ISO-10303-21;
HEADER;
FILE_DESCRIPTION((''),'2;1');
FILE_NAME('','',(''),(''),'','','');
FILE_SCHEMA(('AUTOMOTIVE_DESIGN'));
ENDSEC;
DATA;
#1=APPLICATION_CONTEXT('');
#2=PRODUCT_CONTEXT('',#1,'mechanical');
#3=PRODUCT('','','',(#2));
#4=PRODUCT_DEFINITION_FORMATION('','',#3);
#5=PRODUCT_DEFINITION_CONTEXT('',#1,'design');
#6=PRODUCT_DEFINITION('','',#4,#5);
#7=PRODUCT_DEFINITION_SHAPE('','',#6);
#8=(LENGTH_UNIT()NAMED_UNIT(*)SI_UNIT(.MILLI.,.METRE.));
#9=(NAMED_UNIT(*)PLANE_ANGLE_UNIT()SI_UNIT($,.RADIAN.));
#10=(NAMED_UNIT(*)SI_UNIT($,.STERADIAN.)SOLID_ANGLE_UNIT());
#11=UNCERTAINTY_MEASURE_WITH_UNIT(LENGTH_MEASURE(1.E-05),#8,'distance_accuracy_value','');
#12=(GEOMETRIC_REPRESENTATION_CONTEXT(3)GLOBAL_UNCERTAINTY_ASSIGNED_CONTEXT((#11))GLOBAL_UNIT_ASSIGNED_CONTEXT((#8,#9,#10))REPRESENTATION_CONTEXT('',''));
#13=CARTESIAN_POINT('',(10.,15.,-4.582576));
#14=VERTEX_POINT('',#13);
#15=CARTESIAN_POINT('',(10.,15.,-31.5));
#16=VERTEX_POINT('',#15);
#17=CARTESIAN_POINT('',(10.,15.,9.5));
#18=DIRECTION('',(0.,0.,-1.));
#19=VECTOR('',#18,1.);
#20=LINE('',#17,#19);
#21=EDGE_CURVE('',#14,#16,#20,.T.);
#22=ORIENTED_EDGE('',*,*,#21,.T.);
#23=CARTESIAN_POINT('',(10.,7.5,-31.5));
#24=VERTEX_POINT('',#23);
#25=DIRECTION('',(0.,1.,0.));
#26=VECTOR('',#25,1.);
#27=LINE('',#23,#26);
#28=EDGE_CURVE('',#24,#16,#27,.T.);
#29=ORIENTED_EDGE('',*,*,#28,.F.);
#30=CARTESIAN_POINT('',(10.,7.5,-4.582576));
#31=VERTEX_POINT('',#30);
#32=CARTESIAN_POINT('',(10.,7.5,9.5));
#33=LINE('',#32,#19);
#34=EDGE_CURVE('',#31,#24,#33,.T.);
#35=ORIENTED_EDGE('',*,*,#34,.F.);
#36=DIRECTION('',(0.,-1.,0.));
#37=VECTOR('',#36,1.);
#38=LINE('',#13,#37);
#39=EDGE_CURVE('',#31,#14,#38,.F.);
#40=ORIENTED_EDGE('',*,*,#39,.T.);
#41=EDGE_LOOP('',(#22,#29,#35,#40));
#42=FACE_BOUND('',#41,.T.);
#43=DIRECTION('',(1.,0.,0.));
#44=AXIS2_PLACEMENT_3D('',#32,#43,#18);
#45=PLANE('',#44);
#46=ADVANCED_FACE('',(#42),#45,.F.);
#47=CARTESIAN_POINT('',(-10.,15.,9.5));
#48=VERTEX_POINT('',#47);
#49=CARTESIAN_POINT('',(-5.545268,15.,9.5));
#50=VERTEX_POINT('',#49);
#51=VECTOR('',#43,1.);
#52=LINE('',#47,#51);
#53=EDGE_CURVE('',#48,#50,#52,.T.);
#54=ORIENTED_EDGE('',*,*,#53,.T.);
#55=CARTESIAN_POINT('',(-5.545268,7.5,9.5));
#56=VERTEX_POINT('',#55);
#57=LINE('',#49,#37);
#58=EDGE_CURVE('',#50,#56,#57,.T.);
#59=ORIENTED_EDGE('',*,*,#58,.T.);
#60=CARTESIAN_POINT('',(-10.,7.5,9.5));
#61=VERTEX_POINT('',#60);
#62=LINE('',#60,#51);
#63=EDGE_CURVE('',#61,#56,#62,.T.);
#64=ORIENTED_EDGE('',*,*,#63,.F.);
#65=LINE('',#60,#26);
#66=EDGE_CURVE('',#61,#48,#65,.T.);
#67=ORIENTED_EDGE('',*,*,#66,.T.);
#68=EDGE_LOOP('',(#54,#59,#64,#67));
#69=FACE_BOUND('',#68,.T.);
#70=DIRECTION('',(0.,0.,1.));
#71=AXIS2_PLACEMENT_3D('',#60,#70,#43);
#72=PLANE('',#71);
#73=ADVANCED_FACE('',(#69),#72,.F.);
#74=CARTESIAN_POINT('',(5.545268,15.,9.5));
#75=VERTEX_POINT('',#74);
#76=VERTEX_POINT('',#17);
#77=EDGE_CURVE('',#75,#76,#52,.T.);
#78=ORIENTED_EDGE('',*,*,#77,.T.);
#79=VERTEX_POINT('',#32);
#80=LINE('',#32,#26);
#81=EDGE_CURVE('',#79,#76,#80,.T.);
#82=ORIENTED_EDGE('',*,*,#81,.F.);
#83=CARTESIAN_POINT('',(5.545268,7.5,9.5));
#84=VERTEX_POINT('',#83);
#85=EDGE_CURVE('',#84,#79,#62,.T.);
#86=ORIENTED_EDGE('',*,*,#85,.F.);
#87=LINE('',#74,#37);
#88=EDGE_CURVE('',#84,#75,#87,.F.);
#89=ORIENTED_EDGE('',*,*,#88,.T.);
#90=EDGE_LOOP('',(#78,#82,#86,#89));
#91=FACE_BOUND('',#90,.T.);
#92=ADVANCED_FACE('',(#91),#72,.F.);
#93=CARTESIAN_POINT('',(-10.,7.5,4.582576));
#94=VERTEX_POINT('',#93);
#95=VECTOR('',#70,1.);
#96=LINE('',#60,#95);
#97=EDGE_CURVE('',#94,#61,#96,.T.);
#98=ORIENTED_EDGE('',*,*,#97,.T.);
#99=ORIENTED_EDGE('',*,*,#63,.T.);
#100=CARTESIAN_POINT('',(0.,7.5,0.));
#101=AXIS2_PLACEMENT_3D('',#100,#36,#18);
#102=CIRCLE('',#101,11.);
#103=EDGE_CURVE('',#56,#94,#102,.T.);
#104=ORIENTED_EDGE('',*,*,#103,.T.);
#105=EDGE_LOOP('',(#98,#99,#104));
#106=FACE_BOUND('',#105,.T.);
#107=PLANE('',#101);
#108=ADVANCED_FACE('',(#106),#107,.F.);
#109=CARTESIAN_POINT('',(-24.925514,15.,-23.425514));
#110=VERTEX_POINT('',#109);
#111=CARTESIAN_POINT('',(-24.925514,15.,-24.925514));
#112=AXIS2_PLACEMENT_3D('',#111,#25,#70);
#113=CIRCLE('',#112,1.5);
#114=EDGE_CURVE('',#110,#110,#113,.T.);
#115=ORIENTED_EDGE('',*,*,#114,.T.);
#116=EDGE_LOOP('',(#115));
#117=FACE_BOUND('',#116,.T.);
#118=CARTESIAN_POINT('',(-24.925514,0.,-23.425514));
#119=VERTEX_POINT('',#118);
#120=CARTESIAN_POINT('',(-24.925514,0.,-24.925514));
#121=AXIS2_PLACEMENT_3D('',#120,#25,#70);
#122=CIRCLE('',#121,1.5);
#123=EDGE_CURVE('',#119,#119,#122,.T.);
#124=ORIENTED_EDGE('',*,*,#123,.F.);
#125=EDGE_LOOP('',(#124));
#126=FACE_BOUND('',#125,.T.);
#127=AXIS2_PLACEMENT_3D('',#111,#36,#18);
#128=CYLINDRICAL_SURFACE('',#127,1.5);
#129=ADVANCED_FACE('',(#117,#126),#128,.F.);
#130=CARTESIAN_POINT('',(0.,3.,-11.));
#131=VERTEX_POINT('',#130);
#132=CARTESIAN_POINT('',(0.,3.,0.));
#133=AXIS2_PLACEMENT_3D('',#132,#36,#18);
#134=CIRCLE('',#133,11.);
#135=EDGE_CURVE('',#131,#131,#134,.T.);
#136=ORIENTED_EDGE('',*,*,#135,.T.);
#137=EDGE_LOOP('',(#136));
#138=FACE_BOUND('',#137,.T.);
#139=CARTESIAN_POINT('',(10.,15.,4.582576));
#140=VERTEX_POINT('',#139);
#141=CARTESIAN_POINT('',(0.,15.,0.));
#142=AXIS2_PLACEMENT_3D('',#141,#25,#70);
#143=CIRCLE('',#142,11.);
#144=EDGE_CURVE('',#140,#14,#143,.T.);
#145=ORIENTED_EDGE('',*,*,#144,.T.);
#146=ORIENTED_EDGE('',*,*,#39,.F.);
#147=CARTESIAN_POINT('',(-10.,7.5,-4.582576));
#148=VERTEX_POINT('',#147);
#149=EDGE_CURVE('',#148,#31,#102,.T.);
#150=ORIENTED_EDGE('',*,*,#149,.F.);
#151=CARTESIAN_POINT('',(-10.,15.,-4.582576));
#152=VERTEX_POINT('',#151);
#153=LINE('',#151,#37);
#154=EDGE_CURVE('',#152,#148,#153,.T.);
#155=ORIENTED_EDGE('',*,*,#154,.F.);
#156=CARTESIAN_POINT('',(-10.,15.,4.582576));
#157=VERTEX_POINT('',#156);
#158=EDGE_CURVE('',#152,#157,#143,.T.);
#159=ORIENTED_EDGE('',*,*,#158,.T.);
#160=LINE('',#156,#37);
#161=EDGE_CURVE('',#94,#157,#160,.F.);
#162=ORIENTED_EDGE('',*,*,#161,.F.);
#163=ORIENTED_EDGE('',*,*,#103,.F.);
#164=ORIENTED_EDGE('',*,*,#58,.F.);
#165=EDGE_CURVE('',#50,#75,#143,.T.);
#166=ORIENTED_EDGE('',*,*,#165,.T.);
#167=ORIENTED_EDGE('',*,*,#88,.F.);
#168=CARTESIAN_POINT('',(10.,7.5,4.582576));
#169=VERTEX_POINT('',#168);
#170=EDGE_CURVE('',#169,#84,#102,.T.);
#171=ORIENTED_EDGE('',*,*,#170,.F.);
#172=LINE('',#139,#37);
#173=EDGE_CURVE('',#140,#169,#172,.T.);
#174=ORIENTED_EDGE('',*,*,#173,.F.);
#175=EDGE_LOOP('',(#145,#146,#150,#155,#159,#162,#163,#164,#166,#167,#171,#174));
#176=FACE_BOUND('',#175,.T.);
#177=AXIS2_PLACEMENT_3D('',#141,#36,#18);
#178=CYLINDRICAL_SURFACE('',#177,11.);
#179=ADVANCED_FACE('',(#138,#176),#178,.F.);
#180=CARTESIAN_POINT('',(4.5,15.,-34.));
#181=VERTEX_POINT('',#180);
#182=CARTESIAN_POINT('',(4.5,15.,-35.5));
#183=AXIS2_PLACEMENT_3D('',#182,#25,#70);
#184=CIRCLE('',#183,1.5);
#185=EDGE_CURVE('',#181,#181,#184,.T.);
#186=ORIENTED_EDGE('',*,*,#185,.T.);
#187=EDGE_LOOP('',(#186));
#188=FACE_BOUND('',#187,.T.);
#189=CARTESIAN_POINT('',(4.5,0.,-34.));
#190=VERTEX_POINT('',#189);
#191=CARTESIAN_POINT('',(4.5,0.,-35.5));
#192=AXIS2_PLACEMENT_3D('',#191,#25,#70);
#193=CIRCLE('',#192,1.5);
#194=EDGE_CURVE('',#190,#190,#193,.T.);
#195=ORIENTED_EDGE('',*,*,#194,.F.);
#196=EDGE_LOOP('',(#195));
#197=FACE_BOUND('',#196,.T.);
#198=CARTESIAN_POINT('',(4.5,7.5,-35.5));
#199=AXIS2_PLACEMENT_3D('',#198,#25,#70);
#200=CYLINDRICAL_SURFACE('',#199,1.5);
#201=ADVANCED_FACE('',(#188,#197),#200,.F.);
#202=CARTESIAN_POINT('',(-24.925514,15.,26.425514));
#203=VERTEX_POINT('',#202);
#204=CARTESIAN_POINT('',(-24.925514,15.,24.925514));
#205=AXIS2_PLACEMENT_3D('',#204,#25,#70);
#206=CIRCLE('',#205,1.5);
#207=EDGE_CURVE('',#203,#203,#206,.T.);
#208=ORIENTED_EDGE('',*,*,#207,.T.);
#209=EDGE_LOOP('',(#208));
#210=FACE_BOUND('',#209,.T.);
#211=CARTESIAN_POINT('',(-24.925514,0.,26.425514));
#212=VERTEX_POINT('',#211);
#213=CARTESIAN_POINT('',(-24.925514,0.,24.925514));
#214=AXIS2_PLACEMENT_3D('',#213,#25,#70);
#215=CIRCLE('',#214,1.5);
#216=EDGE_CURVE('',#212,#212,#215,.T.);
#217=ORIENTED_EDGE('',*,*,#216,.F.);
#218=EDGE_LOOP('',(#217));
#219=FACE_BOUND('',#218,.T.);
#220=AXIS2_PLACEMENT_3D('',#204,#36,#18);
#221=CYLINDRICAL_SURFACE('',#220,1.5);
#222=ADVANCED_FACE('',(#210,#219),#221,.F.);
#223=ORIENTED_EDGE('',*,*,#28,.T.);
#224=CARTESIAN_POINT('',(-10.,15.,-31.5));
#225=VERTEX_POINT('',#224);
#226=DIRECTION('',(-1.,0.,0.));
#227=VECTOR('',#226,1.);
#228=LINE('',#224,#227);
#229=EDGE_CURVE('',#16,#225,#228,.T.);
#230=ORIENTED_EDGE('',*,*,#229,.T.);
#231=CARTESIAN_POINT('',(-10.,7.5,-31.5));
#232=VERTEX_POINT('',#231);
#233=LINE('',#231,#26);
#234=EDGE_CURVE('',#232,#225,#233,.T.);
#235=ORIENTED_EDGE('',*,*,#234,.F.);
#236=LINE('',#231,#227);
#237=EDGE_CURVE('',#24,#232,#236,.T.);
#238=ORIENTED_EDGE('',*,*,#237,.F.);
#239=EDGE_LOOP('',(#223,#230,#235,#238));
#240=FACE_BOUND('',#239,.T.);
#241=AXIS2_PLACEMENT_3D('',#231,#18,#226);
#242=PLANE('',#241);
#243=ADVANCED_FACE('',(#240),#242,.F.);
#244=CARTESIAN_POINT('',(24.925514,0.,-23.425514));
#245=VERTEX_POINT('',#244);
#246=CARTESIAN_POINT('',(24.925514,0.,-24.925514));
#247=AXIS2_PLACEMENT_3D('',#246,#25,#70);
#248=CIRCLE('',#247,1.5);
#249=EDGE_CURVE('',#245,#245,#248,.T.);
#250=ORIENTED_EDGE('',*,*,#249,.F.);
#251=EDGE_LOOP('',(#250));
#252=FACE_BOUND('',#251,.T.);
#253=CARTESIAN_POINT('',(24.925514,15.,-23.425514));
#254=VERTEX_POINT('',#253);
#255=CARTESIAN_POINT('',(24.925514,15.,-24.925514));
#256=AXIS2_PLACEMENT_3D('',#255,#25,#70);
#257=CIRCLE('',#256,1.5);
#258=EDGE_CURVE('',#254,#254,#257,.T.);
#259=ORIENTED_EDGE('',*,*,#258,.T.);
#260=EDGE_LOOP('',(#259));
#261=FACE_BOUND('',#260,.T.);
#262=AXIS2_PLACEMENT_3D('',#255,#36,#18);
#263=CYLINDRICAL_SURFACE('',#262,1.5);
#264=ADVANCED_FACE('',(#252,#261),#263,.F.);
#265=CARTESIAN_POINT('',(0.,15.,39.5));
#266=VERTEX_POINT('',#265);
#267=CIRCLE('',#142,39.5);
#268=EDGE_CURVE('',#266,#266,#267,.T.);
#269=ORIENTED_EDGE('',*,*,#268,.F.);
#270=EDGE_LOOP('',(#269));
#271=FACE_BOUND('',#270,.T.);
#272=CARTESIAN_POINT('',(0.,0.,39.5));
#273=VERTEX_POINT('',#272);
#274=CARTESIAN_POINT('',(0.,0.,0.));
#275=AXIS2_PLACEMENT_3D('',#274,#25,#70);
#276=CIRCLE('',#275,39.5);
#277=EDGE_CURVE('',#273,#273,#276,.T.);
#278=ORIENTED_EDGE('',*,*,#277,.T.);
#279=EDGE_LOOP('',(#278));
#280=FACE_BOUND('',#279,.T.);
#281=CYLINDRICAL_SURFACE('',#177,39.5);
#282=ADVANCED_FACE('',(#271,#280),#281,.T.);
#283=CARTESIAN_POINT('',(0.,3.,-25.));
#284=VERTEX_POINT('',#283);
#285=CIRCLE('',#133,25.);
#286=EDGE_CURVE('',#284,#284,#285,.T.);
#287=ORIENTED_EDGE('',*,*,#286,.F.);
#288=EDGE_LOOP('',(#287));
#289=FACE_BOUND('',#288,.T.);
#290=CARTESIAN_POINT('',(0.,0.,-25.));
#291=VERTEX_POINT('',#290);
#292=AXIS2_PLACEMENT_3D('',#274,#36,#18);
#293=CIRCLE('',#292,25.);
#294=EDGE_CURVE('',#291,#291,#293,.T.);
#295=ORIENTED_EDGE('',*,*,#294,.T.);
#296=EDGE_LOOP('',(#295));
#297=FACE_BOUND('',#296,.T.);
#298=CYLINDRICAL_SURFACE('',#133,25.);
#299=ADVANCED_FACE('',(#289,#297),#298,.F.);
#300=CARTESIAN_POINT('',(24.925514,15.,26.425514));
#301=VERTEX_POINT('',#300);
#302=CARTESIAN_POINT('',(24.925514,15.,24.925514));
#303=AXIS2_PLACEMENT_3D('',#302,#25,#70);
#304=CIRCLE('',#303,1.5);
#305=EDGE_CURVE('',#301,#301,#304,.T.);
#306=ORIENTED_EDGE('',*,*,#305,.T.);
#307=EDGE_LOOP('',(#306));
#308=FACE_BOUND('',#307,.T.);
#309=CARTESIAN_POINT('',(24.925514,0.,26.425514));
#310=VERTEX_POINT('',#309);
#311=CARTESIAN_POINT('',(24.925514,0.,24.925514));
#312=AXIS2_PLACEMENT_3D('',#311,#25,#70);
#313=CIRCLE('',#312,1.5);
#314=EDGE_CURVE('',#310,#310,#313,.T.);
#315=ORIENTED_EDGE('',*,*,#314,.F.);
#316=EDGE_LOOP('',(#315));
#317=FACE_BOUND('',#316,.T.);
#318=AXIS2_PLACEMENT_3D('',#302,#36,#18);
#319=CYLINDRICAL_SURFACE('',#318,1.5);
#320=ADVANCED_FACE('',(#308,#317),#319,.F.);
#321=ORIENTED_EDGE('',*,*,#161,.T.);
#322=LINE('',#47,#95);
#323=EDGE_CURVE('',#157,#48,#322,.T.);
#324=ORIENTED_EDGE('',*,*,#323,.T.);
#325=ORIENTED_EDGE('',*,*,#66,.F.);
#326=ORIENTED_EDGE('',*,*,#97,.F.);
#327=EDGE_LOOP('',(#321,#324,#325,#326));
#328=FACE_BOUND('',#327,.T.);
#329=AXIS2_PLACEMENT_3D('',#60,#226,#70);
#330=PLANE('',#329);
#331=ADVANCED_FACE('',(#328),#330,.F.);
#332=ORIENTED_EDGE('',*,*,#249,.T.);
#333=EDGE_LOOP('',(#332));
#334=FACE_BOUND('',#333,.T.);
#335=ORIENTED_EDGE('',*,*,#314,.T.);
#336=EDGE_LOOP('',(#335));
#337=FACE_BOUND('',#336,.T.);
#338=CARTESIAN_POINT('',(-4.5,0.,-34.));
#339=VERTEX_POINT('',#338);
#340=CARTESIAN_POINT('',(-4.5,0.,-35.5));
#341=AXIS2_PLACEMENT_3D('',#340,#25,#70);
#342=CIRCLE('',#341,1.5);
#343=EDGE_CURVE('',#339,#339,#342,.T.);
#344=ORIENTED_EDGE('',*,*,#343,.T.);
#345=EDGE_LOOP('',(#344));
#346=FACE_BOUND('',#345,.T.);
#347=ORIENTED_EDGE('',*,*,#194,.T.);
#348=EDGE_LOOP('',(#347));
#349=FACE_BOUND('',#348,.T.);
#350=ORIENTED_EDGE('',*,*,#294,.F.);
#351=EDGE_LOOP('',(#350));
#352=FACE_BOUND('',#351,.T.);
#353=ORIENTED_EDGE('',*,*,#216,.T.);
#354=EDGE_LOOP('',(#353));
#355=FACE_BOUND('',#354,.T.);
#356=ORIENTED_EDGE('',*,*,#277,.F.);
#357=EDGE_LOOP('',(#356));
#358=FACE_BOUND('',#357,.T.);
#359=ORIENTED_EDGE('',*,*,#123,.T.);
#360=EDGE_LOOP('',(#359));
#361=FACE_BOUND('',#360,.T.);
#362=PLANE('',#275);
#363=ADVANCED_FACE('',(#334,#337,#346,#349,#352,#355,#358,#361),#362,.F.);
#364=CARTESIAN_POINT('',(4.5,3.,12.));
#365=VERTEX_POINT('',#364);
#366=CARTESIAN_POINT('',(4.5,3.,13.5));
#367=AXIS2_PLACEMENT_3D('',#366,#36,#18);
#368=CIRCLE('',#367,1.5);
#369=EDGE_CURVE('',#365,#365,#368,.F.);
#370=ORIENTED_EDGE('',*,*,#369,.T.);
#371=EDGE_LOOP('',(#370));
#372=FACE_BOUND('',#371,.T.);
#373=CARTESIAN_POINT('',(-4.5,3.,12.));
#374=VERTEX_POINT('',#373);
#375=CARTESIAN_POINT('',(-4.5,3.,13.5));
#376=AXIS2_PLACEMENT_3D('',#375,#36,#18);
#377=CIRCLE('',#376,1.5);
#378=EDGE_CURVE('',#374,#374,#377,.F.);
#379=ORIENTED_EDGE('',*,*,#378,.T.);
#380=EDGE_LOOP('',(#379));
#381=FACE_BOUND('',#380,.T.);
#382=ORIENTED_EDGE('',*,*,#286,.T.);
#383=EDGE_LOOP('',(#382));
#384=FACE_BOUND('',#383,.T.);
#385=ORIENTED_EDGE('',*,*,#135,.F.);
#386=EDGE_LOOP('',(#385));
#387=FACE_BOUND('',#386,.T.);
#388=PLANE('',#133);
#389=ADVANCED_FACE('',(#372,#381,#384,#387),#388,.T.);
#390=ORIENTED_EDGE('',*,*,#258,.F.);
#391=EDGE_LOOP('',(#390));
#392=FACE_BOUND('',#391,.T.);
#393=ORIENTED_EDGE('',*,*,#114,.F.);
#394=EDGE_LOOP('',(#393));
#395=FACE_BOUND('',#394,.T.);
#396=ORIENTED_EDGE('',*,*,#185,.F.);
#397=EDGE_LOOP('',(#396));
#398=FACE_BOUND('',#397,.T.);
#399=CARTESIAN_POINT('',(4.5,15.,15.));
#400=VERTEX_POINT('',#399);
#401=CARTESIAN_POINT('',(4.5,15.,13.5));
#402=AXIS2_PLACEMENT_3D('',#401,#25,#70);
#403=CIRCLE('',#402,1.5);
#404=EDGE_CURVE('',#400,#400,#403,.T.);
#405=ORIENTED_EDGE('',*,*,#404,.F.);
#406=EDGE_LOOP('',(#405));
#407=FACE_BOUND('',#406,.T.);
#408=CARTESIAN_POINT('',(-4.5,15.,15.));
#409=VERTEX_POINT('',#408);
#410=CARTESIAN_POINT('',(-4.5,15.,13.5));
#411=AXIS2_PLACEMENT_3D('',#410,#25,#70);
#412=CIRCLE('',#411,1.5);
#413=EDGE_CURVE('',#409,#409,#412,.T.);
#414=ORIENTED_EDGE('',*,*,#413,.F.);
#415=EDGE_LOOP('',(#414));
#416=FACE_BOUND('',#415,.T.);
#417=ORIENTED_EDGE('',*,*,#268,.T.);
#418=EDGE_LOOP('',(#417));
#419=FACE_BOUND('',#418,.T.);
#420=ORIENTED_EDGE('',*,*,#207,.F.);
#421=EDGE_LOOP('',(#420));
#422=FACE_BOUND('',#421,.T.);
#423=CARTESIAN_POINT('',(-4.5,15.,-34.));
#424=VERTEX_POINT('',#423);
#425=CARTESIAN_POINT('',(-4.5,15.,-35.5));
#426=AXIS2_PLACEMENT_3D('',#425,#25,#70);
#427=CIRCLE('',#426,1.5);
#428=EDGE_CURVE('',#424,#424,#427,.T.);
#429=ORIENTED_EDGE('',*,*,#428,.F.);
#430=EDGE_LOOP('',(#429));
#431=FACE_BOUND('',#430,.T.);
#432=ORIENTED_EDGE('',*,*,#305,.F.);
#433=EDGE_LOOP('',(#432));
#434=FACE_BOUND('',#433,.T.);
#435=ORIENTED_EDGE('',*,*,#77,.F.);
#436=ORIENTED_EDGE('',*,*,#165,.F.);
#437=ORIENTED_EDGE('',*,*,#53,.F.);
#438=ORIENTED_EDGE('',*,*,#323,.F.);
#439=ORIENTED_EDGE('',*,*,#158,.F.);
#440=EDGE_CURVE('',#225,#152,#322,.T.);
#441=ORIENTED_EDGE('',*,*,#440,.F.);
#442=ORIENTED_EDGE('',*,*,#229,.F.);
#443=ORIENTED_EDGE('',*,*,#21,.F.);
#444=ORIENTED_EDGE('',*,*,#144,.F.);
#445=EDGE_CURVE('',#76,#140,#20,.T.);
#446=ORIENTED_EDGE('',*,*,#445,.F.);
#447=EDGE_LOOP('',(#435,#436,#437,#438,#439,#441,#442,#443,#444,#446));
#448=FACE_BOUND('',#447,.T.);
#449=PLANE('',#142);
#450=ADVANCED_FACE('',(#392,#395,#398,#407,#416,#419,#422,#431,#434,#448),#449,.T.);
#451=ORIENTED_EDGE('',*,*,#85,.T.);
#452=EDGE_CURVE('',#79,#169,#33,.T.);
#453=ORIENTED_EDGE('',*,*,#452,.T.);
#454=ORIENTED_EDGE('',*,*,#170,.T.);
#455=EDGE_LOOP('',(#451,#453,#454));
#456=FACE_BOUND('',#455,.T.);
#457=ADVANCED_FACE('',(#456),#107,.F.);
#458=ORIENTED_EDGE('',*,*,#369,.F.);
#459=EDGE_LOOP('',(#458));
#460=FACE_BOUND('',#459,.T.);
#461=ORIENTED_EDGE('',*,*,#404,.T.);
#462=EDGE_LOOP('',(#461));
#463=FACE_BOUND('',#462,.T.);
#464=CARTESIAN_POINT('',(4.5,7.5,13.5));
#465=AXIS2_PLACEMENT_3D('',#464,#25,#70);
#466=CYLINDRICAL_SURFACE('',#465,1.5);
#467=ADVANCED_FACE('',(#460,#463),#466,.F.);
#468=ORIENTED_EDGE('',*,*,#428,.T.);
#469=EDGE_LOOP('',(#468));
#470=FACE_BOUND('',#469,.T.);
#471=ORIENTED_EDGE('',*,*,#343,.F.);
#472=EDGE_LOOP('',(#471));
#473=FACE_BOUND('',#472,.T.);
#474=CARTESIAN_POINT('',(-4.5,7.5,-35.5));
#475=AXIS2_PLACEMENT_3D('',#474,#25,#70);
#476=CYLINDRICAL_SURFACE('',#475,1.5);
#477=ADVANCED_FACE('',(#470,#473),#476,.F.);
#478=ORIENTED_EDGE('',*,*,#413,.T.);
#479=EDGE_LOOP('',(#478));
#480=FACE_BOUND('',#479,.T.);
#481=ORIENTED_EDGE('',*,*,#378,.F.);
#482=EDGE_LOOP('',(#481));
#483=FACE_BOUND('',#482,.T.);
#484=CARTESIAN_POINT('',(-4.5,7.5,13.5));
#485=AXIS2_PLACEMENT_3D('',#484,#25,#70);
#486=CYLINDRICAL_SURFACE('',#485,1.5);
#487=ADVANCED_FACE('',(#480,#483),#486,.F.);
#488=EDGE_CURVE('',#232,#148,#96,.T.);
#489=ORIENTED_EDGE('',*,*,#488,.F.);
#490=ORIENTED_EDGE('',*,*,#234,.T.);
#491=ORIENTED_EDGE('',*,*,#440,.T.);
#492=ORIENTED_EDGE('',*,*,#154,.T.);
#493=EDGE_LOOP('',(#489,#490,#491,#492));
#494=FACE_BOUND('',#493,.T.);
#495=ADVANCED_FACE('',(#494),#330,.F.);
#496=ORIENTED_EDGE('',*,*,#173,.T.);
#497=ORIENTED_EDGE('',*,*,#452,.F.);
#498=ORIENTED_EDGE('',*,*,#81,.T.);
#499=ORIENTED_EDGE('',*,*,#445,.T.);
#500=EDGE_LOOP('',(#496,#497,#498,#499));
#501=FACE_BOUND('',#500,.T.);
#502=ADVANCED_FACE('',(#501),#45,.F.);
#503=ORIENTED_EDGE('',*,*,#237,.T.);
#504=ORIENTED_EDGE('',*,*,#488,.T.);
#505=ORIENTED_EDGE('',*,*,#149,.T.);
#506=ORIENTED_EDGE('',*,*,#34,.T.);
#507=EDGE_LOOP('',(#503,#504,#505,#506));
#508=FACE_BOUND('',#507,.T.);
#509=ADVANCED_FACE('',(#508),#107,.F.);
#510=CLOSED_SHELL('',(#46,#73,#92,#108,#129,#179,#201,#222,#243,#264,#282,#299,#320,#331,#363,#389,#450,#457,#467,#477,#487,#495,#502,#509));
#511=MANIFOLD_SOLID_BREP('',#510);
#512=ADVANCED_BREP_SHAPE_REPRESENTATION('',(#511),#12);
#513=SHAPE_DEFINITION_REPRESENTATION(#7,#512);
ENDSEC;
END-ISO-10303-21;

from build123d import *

# Parameters (mm, degrees)
CROQUIS1_R              = 39.5
CROQUIS1_R_2            = 11
CROQUIS1_R_3            = 1.5
SALIENTE_EXTRUIR2_DEPTH = 15
CROQUIS2_R              = 1.5
CROQUIS2_W              = 20
CROQUIS2_H              = 41
CORTAR_EXTRUIR1_DEPTH   = 7.5
CROQUIS2_2_R            = 1.5
CORTAR_EXTRUIR2_DEPTH   = 16
CROQUIS3_R              = 25
CORTAR_EXTRUIR3_DEPTH   = 3


with BuildPart() as part:
    # Croquis1 → Saliente-Extruir2 (new body)
    with BuildSketch(Plane(origin=(0, 0, 0), x_dir=(1, 0, 0), z_dir=(0, 1, 0))):
        Circle(CROQUIS1_R)
        Circle(CROQUIS1_R_2, mode=Mode.SUBTRACT)
        with Locations((24.925514037, 24.925514037)):
            Circle(CROQUIS1_R_3, mode=Mode.SUBTRACT)
        with Locations((24.925514037, -24.925514037)):
            Circle(CROQUIS1_R_3, mode=Mode.SUBTRACT)
        with Locations((-24.925514037, -24.925514037)):
            Circle(CROQUIS1_R_3, mode=Mode.SUBTRACT)
        with Locations((-24.925514037, 24.925514037)):
            Circle(CROQUIS1_R_3, mode=Mode.SUBTRACT)
    extrude(amount=SALIENTE_EXTRUIR2_DEPTH)

    # Croquis2 → Cortar-Extruir1 (cut)
    with BuildSketch(Plane(origin=(0, 15, 0), x_dir=(1, 0, 0), z_dir=(0, 1, 0))):
        with Locations((-4.5, -13.5)):
            Circle(CROQUIS2_R)
        with Locations((4.5, -13.5)):
            Circle(CROQUIS2_R)
        with Locations((4.5, 35.5)):
            Circle(CROQUIS2_R)
        with Locations((-4.5, 35.5)):
            Circle(CROQUIS2_R)
        with Locations((0, 11)):
            Rectangle(CROQUIS2_W, CROQUIS2_H)
    extrude(amount=-CORTAR_EXTRUIR1_DEPTH, mode=Mode.SUBTRACT)

    # Croquis2<2> → Cortar-Extruir2 (cut, through all)
    with BuildSketch(Plane(origin=(0, 15, 0), x_dir=(1, 0, 0), z_dir=(0, 1, 0))):
        with Locations((-4.5, 35.5)):
            Circle(CROQUIS2_2_R)
        with Locations((4.5, 35.5)):
            Circle(CROQUIS2_2_R)
        with Locations((4.5, -13.5)):
            Circle(CROQUIS2_2_R)
        with Locations((-4.5, -13.5)):
            Circle(CROQUIS2_2_R)
    extrude(amount=-CORTAR_EXTRUIR2_DEPTH, mode=Mode.SUBTRACT)

    # Croquis3 → Cortar-Extruir3 (cut)
    with BuildSketch(Plane.XZ):
        Circle(CROQUIS3_R)
    extrude(amount=-CORTAR_EXTRUIR3_DEPTH, mode=Mode.SUBTRACT)


solid = part.part
